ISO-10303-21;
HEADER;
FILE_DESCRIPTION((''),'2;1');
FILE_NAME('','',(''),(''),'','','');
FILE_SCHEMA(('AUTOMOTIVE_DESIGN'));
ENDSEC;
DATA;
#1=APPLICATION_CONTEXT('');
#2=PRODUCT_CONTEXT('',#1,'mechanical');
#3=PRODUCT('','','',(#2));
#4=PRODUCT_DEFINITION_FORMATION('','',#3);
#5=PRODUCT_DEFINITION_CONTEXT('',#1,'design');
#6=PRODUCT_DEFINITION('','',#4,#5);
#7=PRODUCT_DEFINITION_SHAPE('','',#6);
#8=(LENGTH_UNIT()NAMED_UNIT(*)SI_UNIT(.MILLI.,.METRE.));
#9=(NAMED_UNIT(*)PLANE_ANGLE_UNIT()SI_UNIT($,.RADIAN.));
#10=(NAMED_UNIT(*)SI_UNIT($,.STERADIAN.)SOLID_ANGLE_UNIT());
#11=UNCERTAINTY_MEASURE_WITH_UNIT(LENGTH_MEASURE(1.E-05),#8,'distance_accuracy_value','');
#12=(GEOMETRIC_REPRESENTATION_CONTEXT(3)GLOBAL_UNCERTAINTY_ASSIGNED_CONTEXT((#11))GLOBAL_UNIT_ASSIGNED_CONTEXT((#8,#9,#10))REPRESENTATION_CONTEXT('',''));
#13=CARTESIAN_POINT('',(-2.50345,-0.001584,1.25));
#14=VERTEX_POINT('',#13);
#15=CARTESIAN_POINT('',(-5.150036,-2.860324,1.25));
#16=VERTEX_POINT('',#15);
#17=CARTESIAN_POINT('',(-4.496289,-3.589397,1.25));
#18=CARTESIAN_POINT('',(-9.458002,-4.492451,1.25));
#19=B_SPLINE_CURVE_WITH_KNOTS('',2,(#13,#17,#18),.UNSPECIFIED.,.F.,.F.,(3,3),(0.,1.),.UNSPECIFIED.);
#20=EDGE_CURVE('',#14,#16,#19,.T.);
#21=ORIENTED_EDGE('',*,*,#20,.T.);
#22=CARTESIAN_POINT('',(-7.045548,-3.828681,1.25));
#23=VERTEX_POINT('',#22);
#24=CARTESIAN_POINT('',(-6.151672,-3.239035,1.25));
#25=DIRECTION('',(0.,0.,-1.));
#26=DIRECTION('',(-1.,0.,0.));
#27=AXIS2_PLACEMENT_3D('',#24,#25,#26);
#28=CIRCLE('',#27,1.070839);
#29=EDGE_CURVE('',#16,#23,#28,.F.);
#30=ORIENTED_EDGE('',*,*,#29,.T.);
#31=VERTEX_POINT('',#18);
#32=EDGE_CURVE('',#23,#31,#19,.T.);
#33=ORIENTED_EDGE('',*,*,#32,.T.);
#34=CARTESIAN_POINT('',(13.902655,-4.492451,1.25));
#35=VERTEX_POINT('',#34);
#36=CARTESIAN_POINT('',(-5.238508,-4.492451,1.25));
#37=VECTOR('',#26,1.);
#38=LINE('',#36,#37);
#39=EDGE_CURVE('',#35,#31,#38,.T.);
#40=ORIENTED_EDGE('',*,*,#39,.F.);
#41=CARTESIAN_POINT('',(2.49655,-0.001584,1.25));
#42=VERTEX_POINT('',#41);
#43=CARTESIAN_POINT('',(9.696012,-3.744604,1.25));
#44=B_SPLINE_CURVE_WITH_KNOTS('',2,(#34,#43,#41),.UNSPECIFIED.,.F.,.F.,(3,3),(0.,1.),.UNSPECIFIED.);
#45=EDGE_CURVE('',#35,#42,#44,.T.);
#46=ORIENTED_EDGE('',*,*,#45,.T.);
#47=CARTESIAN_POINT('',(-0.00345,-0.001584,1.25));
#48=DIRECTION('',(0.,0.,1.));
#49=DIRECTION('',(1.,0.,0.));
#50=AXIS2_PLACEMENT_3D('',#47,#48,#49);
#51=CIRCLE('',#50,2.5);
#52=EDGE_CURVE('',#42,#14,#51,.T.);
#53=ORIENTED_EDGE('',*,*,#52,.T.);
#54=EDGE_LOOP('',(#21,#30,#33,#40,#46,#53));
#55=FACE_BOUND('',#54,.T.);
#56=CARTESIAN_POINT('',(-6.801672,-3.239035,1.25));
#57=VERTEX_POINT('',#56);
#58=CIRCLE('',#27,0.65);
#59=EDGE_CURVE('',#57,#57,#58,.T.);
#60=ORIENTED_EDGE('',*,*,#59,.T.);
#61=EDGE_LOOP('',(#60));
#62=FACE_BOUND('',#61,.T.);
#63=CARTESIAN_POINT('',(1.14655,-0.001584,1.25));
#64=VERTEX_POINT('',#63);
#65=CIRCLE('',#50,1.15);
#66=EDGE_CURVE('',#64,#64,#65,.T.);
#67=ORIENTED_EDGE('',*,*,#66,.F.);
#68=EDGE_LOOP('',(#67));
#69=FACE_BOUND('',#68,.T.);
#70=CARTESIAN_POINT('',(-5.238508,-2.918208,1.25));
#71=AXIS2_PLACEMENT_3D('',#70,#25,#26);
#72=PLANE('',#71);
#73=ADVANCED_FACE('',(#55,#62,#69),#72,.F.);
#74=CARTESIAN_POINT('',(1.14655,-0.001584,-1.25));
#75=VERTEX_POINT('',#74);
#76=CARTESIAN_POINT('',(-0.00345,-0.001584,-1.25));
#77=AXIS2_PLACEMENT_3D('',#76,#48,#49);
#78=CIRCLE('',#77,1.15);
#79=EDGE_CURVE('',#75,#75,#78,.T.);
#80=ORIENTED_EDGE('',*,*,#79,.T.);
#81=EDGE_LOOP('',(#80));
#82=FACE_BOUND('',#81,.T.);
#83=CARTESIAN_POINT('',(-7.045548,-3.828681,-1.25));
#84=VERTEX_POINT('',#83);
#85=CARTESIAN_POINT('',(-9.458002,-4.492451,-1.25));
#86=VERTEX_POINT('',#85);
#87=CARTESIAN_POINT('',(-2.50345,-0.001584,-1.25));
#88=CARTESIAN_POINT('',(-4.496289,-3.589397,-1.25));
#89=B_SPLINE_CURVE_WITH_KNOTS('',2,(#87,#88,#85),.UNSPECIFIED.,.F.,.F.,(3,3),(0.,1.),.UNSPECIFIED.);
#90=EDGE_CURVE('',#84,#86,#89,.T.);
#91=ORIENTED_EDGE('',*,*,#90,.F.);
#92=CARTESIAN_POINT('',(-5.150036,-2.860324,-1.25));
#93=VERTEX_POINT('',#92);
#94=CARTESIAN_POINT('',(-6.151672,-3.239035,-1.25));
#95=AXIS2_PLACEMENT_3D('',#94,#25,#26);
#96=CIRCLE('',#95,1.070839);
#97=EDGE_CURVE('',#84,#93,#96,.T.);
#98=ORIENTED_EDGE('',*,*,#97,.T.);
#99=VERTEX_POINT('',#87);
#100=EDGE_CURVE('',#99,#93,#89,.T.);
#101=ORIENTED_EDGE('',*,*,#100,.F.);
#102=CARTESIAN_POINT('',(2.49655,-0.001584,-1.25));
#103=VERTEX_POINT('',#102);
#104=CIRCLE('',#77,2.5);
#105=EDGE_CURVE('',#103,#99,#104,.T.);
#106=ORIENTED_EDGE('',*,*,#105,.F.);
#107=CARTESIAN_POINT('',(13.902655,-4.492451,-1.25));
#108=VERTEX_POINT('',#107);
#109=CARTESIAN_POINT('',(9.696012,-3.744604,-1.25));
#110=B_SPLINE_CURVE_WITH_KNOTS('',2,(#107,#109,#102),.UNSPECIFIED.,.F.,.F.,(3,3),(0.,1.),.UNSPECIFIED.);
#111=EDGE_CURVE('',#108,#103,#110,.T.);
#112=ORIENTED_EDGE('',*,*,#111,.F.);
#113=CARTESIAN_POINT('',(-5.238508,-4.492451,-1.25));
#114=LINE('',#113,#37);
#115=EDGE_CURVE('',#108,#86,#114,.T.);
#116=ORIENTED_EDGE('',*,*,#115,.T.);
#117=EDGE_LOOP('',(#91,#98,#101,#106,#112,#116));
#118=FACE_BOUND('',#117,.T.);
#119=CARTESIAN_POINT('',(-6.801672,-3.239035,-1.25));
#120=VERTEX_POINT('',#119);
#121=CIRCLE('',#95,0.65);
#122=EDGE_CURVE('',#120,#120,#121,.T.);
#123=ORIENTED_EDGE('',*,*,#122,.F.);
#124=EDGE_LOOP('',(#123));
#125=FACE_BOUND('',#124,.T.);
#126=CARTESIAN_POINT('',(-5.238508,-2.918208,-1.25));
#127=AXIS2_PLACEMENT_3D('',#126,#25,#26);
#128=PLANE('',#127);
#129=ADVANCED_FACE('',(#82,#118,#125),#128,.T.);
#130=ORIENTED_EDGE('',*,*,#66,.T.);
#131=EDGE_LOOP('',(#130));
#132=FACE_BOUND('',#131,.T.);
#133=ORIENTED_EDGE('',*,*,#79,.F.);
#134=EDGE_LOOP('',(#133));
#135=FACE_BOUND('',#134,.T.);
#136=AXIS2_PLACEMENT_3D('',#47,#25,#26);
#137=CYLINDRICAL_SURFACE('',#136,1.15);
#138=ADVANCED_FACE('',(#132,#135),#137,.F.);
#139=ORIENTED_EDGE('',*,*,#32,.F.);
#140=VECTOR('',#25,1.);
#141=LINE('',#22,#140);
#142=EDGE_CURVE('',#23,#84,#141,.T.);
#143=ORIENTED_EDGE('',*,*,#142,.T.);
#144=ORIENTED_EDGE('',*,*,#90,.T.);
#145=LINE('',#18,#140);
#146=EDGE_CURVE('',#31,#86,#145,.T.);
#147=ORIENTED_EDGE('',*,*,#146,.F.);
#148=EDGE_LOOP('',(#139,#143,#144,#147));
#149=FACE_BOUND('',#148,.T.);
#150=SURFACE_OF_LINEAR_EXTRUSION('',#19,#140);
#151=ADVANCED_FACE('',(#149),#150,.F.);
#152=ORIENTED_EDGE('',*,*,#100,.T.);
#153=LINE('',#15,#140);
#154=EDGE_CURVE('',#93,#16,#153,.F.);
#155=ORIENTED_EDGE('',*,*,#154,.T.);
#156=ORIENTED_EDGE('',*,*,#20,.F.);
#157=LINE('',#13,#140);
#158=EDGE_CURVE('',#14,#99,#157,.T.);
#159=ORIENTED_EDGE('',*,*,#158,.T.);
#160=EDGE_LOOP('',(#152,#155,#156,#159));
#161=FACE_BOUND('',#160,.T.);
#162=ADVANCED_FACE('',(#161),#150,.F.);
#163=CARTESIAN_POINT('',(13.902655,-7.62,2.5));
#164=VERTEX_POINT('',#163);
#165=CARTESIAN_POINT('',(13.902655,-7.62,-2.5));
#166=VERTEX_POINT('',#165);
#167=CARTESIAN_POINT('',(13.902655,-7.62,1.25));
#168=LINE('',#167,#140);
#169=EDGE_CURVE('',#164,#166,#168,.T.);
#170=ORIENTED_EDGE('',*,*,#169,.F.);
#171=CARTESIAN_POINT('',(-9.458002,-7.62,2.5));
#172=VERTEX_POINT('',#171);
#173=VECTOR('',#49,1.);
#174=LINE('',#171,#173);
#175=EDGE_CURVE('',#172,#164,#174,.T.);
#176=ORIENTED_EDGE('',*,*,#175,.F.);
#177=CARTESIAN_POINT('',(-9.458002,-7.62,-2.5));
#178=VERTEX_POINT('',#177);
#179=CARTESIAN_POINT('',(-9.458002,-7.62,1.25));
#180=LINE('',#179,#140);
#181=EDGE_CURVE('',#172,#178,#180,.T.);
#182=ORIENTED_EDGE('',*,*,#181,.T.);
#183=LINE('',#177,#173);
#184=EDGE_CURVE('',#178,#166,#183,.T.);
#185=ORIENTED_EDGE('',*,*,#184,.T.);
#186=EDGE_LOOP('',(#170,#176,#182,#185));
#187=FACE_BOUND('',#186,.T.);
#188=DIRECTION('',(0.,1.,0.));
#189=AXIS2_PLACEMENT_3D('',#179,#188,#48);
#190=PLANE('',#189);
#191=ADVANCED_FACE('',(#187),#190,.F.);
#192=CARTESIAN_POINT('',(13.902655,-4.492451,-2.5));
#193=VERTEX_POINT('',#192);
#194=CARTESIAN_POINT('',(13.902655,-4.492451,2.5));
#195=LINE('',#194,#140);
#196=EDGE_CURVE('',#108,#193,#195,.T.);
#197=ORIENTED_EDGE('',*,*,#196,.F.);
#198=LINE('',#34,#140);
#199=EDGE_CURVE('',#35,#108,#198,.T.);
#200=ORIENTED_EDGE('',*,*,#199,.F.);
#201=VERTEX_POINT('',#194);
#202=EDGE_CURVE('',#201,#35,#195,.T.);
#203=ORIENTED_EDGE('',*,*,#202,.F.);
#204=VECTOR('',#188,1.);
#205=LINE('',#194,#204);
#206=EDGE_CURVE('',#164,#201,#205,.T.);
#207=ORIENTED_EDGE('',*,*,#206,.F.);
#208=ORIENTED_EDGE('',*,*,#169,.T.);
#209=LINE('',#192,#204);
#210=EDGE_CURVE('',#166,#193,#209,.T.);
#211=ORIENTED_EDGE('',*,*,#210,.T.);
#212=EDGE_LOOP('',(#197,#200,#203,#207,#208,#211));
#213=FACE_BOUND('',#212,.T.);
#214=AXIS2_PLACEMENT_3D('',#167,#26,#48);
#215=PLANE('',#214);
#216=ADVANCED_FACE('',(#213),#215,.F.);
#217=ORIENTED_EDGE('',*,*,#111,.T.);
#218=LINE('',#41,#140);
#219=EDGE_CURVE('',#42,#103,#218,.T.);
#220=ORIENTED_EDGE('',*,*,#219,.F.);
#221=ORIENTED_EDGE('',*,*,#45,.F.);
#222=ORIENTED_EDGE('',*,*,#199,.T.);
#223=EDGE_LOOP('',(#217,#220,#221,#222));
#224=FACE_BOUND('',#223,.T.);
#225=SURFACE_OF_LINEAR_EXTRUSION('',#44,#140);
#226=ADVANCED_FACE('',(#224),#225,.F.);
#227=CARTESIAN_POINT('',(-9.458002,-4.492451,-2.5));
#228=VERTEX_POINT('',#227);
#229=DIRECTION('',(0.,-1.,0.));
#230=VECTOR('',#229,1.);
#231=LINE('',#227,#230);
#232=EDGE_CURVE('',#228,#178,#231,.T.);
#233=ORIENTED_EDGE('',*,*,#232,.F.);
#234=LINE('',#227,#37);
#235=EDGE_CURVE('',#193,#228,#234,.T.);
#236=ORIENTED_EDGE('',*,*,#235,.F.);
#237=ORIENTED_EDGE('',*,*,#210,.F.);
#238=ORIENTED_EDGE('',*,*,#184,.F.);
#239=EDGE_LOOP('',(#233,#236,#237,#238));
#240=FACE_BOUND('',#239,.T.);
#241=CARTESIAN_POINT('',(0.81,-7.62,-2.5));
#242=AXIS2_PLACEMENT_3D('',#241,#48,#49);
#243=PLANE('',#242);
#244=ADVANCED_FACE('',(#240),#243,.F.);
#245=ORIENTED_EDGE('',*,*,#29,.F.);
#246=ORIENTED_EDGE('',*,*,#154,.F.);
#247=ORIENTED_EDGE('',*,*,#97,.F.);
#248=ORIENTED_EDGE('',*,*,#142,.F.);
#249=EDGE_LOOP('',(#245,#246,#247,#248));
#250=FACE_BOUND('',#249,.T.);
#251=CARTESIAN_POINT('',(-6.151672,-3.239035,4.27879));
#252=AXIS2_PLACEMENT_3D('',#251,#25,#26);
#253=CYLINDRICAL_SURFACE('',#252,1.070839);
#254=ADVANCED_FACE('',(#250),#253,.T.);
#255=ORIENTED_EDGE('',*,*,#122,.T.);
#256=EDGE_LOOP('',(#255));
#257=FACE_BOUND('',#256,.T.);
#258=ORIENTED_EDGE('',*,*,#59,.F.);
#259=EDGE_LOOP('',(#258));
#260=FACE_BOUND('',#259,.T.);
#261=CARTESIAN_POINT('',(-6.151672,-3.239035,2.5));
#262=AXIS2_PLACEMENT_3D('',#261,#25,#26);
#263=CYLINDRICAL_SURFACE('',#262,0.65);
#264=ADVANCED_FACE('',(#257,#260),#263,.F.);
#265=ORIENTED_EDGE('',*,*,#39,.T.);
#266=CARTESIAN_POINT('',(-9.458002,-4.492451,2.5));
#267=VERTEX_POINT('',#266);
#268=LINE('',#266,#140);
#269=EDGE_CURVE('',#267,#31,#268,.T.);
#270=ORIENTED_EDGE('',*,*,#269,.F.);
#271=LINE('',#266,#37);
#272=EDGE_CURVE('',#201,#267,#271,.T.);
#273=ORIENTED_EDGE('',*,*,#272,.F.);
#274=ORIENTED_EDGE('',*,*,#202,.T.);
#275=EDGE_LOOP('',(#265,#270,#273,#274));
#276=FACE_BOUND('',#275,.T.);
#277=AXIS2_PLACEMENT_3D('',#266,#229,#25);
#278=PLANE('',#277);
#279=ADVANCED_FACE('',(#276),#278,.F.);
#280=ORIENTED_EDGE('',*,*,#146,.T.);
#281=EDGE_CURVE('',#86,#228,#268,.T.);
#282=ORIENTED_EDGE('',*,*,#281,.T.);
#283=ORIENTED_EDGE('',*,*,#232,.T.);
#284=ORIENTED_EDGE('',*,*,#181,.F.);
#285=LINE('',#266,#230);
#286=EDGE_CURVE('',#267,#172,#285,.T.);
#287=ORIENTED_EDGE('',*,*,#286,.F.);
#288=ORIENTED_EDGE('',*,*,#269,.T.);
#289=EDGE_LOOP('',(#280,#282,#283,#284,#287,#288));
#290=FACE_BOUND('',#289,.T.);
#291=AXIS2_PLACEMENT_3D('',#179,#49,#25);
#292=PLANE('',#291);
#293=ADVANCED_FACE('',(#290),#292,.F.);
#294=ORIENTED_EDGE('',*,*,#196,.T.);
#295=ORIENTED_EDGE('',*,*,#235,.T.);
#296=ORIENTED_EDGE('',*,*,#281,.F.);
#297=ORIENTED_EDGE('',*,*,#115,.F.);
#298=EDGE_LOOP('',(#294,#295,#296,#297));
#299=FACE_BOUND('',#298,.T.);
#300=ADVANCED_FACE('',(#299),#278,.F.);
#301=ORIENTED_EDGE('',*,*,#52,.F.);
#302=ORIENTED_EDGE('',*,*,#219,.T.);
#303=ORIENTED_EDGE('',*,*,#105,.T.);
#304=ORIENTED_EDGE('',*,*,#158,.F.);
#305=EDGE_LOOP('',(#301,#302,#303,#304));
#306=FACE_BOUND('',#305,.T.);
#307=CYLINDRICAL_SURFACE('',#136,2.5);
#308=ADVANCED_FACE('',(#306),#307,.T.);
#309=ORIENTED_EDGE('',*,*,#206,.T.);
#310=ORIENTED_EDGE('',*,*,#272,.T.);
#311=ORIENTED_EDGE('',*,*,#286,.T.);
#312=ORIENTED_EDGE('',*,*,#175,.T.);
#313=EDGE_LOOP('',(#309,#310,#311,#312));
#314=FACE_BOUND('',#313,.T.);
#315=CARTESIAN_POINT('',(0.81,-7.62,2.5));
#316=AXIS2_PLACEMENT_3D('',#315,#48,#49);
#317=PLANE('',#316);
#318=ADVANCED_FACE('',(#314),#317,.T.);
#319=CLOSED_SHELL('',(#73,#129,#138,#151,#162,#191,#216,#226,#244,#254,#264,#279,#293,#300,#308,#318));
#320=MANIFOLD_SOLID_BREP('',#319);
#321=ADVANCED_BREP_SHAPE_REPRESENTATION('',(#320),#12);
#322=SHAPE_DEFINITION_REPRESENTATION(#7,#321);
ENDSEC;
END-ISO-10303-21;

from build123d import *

# Parameters (mm, degrees)
SKETCH1_R               = 1.15
BOSS_EXTRUDE1_DEPTH     = 1.25
SKETCH2_W               = 23.360657125
SKETCH2_H               = 3.127548608
BOSS_EXTRUDE2_DEPTH     = 2.5
SKETCH3_R               = 1.070838979
BOSS_EXTRUDE3_DEPTH     = 2.5
CUT_EXTRUDE1_DEPTH      = 17.966509656
CUT_EXTRUDE1_DEPTH_BACK = 17.966509656
SKETCH4_R               = 0.65


with BuildPart() as part:
    # Sketch1 → Boss-Extrude1 (new, symmetric)
    with BuildSketch(Plane.XY):
        with BuildLine():
            Line((-10.268002202, 0), (13.092654923, 0))
            Line((13.092654923, 0), (13.092654923, 3.127548608))
            add(Edge.make_bspline(
                [(1.686549766, 7.618415505), (8.886011908, 3.875396255), (13.092654923, 3.127548608)],
                knots=[0, 0, 0, 1, 1, 1], degree=2))
            ThreePointArc((1.686549766, 7.618415505), (-0.813450234, 10.118415505), (-3.313450234, 7.618415505))
            add(Edge.make_bspline(
                [(-10.268002202, 3.127548608), (-5.306289346, 4.030602712), (-3.313450234, 7.618415505)],
                knots=[0, 0, 0, 1, 1, 1], degree=2))
            Line((-10.268002202, 3.127548608), (-10.268002202, 0))
        make_face()
        with Locations((-0.813450234, 7.618415505)):
            Circle(SKETCH1_R, mode=Mode.SUBTRACT)
    extrude(amount=BOSS_EXTRUDE1_DEPTH, both=True)

    # Sketch2 → Boss-Extrude2 (add, symmetric)
    with BuildSketch(Plane.XY):
        with Locations((1.412326361, 1.563774304)):
            Rectangle(SKETCH2_W, SKETCH2_H)
    extrude(amount=BOSS_EXTRUDE2_DEPTH, both=True)

    # Sketch3 → Boss-Extrude3 (add)
    with BuildSketch(Plane(origin=(0, 0, -1.25), x_dir=(-1, 0, 0), z_dir=(0, 0, -1))):
        with Locations((6.96167169, 4.380964726)):
            Circle(SKETCH3_R)
    extrude(amount=-BOSS_EXTRUDE3_DEPTH)

    # Sketch4 → Cut-Extrude1 (cut, two sides: drawn at the far end of the back side and taken through both)
    with BuildSketch(Plane(origin=(0, 0, -1.25), x_dir=(-1, 0, 0), z_dir=(0, 0, -1)).offset(-CUT_EXTRUDE1_DEPTH_BACK)):
        with Locations((6.96167169, 4.380964726)):
            Circle(SKETCH4_R)
    extrude(amount=CUT_EXTRUDE1_DEPTH + CUT_EXTRUDE1_DEPTH_BACK, mode=Mode.SUBTRACT)


with BuildPart() as part_1:
    # Body-Move/Copy1: moved
    add(part.part.moved(Location((0.81, -7.62, 0))))


solid = part_1.part
